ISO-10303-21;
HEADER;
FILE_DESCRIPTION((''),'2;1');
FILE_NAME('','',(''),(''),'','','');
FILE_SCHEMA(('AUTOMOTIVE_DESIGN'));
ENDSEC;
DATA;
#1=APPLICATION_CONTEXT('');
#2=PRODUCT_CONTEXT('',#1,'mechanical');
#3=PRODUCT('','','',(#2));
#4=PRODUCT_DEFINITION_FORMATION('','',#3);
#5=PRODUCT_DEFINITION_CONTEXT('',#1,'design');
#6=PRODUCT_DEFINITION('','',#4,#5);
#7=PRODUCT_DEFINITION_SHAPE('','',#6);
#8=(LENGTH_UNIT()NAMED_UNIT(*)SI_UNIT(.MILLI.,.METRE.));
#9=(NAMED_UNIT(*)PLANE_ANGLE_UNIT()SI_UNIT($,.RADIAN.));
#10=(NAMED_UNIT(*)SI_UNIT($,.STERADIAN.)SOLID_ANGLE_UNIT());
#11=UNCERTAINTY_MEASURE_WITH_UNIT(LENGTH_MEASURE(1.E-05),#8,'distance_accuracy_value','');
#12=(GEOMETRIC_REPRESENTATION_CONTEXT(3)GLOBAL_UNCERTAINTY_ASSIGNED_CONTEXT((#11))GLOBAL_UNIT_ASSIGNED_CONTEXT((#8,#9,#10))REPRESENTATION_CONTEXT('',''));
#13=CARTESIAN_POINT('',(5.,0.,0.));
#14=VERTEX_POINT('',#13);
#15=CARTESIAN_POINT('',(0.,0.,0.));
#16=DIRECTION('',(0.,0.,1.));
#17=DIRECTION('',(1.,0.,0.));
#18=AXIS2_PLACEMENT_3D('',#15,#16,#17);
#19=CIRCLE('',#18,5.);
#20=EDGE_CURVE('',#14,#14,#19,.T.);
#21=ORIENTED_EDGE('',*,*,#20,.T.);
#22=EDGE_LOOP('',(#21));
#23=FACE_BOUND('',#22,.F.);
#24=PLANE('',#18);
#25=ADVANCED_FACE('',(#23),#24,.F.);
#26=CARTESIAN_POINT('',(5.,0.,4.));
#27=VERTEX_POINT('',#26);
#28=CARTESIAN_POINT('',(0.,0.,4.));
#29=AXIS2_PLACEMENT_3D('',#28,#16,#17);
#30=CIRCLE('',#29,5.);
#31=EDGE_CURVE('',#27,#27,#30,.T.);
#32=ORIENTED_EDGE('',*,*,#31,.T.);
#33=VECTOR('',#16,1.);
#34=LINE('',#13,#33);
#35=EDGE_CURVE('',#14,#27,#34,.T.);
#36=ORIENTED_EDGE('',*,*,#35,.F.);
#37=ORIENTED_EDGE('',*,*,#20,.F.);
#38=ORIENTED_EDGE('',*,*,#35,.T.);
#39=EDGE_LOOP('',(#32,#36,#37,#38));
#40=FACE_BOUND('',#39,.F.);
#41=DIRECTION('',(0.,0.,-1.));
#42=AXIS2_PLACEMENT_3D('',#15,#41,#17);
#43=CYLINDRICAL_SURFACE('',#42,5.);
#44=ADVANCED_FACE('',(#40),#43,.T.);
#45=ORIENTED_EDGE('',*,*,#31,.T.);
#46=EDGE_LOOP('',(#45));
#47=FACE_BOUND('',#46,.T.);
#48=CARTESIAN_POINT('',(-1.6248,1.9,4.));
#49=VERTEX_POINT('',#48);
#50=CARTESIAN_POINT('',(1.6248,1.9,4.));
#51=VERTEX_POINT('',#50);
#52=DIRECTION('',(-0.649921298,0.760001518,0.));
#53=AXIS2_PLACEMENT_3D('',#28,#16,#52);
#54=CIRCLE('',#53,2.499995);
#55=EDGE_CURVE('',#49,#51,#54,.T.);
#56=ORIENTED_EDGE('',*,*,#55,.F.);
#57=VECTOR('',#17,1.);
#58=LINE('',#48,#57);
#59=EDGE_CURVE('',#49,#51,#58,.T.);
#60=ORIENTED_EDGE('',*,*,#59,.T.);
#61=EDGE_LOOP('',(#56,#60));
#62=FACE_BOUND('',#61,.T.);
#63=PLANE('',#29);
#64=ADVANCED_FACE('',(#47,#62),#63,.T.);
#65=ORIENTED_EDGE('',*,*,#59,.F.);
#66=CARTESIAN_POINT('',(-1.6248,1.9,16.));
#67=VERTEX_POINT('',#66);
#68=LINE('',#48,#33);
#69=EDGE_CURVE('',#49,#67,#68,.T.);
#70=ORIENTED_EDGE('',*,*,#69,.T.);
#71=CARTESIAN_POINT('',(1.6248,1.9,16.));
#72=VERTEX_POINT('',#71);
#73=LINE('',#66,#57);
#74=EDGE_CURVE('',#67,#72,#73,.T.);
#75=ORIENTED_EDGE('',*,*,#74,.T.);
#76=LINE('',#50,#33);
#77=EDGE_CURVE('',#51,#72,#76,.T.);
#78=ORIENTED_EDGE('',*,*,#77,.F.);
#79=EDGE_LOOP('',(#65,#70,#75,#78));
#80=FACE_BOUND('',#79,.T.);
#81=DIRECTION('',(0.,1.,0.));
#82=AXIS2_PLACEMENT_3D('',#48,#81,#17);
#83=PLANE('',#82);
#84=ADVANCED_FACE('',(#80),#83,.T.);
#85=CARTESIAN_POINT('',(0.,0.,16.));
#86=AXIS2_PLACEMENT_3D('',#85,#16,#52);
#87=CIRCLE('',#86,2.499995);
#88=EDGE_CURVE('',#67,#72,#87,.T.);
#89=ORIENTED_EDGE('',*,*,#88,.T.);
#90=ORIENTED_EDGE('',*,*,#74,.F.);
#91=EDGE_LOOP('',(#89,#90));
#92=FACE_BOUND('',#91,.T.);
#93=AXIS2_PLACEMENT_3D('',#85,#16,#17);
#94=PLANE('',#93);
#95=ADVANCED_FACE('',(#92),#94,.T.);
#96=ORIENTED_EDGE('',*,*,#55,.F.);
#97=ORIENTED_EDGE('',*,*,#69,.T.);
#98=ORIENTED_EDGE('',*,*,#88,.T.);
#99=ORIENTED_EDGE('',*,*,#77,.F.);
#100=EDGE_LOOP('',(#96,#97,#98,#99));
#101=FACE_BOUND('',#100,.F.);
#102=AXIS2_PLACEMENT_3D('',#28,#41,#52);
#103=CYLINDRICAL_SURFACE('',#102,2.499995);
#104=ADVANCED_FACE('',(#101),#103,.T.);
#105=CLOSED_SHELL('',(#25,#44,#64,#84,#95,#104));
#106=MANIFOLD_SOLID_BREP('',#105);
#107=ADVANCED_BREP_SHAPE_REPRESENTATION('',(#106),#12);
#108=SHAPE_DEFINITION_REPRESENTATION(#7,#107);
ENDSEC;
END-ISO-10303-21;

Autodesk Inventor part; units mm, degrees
ref_plane "YZ Plane" through (0, 0, 0) normal (1, 0, 0) x (0, 1, 0)
ref_plane "XZ Plane" through (0, 0, 0) normal (0, 1, 0) x (-1, 0, 0)
ref_plane "XY Plane" through (0, 0, 0) normal (0, 0, 1) x (1, 0, 0)
sketch "Sketch1" plane through (0, 0, 0) normal (0, 0, 1) x (1, 0, 0)
  circle A0 centre (0, 0) radius 5
  dimension "d0" = 10
extrude "Extrusion1" add sketch "Sketch1" along normal blind 4
sketch "Sketch2" plane through (0, 0, 4) normal (0, 0, 1) x (1, 0, 0)
  arc A0 (-1.6248, 1.9) -> (1.6248, 1.9) centre (0, 0) ccw
  line L0 (-1.6248, 1.9) -> (1.6248, 1.9)
  dimension "d3" = 5
  dimension "d6" = 0.6
extrude "Extrusion2" add sketch "Sketch2" along normal blind 12
properties part number "KruggHolder2"
